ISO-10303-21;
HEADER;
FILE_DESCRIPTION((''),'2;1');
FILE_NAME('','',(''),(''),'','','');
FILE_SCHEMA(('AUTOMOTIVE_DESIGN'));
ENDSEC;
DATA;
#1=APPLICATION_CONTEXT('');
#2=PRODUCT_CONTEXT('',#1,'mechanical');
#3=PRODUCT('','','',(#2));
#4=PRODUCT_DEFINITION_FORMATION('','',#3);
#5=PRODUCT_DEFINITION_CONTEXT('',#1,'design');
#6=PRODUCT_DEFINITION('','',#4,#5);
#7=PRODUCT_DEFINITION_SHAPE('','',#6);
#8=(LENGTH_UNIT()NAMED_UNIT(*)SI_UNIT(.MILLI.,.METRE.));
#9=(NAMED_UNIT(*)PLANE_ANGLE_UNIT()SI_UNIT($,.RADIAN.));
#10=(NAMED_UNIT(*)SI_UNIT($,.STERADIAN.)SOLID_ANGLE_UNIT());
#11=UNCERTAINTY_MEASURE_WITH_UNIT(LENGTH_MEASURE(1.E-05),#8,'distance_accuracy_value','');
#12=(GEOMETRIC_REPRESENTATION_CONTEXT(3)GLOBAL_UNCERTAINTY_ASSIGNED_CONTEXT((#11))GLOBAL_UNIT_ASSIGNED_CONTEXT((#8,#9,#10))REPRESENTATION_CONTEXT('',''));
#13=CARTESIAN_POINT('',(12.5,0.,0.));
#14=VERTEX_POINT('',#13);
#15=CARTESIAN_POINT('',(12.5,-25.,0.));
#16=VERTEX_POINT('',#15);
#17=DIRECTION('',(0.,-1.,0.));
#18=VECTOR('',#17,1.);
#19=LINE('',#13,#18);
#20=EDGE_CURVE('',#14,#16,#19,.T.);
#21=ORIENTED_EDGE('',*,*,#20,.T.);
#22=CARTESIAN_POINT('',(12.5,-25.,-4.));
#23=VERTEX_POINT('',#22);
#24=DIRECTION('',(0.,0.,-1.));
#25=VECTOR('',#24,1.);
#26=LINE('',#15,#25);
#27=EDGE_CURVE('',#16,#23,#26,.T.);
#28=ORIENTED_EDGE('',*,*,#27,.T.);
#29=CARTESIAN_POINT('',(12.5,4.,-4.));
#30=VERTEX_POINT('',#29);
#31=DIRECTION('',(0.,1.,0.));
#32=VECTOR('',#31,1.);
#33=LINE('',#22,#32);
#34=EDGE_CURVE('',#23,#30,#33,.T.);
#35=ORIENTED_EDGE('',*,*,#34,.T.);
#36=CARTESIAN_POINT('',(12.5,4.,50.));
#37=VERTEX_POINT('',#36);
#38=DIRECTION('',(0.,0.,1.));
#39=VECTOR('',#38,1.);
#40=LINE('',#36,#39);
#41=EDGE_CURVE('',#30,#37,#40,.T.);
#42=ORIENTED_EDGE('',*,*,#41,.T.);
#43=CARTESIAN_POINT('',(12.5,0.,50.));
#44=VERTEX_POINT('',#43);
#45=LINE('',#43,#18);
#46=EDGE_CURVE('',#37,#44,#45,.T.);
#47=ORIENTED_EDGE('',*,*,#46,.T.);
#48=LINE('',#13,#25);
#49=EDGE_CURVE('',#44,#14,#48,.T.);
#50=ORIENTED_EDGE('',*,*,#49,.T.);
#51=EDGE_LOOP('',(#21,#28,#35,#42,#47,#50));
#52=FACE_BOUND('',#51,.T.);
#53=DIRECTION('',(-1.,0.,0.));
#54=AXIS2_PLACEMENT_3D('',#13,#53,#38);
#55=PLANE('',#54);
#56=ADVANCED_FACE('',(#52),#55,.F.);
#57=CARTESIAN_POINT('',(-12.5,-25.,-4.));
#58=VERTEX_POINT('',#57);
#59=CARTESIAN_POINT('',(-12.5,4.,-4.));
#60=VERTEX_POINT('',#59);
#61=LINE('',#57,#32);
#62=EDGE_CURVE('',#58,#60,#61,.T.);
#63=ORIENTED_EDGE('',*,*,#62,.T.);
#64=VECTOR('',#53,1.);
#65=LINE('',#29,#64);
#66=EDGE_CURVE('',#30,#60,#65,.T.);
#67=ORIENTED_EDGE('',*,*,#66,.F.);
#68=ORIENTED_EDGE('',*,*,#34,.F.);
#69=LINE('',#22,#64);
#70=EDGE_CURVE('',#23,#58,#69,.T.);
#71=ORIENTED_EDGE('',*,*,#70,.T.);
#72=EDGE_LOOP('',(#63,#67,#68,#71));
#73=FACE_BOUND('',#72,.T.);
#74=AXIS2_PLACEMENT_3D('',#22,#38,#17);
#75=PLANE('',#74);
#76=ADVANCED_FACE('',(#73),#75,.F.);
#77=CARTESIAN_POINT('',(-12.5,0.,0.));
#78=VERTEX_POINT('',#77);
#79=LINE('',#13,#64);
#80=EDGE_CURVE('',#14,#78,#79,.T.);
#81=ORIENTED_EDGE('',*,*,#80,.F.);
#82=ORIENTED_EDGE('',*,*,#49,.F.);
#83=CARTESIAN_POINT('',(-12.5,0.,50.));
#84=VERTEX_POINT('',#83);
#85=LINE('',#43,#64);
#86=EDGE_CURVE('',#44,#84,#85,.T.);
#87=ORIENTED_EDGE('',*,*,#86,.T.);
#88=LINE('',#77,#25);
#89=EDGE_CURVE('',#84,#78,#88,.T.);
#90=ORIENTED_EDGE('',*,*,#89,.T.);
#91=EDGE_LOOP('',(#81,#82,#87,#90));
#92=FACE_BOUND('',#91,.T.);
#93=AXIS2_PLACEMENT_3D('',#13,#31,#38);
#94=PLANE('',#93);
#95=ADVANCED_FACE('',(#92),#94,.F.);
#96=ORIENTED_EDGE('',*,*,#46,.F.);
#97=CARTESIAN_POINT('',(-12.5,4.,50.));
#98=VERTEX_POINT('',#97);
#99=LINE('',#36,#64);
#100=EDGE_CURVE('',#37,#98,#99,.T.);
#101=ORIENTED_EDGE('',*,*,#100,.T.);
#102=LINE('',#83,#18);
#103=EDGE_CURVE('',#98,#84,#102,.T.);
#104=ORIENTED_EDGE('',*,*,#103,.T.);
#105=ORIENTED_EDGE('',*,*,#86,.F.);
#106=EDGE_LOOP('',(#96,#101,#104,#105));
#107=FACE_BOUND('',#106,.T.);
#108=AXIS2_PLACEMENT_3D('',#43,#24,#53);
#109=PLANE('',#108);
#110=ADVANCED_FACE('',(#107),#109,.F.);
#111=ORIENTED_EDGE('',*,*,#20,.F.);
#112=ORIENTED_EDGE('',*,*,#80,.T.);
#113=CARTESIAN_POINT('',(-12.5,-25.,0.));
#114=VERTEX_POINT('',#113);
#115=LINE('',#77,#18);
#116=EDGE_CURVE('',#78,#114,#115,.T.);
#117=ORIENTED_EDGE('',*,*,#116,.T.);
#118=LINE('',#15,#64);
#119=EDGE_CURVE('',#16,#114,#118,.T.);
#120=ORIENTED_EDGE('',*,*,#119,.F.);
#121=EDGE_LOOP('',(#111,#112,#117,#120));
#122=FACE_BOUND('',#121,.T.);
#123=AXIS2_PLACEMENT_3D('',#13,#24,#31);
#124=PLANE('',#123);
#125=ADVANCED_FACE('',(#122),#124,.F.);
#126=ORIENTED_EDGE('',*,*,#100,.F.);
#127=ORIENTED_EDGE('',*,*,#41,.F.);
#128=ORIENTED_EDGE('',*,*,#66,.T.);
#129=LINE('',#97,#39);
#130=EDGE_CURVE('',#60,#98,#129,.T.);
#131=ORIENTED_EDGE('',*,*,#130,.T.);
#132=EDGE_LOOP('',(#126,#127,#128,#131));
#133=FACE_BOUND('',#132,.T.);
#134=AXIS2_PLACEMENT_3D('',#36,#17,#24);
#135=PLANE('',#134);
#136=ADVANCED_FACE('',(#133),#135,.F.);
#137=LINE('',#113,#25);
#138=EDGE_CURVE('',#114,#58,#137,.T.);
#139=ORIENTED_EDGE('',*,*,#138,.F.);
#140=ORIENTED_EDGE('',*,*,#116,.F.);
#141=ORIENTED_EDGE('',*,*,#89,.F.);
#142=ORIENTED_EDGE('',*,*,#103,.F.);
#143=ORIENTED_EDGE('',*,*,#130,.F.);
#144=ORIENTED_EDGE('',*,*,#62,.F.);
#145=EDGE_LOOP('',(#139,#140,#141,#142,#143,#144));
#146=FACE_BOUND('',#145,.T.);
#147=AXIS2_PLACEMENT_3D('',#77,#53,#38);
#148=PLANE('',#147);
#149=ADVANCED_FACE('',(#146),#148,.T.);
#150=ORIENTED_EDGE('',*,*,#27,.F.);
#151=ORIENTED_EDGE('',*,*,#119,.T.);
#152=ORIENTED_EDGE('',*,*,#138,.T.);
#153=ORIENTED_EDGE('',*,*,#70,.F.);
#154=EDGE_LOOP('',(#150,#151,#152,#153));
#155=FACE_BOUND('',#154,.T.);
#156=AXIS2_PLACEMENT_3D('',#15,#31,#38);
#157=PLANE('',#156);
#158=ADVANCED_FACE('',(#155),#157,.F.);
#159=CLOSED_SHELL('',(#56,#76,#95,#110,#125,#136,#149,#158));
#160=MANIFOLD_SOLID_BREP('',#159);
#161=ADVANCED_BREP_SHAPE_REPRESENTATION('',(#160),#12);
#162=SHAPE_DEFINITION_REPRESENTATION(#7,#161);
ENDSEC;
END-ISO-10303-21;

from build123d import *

# Parameters (mm, degrees)
PROFILE_EXTRUDE_DEPTH = 12.5


with BuildPart() as part:
    # Profile Sketch → Profile Extrude (new, symmetric)
    with BuildSketch(Plane(origin=(0, -31.892797, 3.642255972), x_dir=(0, 1, 0), z_dir=(1, 0, 0))):
        Polygon((31.892797, -3.642255972), (6.892797, -3.642255972), (6.892797, -7.642255972), (35.892797, -7.642255972), (35.892797, 46.357744028), (31.892797, 46.357744028), align=None)
    extrude(amount=PROFILE_EXTRUDE_DEPTH, both=True)


solid = part.part
